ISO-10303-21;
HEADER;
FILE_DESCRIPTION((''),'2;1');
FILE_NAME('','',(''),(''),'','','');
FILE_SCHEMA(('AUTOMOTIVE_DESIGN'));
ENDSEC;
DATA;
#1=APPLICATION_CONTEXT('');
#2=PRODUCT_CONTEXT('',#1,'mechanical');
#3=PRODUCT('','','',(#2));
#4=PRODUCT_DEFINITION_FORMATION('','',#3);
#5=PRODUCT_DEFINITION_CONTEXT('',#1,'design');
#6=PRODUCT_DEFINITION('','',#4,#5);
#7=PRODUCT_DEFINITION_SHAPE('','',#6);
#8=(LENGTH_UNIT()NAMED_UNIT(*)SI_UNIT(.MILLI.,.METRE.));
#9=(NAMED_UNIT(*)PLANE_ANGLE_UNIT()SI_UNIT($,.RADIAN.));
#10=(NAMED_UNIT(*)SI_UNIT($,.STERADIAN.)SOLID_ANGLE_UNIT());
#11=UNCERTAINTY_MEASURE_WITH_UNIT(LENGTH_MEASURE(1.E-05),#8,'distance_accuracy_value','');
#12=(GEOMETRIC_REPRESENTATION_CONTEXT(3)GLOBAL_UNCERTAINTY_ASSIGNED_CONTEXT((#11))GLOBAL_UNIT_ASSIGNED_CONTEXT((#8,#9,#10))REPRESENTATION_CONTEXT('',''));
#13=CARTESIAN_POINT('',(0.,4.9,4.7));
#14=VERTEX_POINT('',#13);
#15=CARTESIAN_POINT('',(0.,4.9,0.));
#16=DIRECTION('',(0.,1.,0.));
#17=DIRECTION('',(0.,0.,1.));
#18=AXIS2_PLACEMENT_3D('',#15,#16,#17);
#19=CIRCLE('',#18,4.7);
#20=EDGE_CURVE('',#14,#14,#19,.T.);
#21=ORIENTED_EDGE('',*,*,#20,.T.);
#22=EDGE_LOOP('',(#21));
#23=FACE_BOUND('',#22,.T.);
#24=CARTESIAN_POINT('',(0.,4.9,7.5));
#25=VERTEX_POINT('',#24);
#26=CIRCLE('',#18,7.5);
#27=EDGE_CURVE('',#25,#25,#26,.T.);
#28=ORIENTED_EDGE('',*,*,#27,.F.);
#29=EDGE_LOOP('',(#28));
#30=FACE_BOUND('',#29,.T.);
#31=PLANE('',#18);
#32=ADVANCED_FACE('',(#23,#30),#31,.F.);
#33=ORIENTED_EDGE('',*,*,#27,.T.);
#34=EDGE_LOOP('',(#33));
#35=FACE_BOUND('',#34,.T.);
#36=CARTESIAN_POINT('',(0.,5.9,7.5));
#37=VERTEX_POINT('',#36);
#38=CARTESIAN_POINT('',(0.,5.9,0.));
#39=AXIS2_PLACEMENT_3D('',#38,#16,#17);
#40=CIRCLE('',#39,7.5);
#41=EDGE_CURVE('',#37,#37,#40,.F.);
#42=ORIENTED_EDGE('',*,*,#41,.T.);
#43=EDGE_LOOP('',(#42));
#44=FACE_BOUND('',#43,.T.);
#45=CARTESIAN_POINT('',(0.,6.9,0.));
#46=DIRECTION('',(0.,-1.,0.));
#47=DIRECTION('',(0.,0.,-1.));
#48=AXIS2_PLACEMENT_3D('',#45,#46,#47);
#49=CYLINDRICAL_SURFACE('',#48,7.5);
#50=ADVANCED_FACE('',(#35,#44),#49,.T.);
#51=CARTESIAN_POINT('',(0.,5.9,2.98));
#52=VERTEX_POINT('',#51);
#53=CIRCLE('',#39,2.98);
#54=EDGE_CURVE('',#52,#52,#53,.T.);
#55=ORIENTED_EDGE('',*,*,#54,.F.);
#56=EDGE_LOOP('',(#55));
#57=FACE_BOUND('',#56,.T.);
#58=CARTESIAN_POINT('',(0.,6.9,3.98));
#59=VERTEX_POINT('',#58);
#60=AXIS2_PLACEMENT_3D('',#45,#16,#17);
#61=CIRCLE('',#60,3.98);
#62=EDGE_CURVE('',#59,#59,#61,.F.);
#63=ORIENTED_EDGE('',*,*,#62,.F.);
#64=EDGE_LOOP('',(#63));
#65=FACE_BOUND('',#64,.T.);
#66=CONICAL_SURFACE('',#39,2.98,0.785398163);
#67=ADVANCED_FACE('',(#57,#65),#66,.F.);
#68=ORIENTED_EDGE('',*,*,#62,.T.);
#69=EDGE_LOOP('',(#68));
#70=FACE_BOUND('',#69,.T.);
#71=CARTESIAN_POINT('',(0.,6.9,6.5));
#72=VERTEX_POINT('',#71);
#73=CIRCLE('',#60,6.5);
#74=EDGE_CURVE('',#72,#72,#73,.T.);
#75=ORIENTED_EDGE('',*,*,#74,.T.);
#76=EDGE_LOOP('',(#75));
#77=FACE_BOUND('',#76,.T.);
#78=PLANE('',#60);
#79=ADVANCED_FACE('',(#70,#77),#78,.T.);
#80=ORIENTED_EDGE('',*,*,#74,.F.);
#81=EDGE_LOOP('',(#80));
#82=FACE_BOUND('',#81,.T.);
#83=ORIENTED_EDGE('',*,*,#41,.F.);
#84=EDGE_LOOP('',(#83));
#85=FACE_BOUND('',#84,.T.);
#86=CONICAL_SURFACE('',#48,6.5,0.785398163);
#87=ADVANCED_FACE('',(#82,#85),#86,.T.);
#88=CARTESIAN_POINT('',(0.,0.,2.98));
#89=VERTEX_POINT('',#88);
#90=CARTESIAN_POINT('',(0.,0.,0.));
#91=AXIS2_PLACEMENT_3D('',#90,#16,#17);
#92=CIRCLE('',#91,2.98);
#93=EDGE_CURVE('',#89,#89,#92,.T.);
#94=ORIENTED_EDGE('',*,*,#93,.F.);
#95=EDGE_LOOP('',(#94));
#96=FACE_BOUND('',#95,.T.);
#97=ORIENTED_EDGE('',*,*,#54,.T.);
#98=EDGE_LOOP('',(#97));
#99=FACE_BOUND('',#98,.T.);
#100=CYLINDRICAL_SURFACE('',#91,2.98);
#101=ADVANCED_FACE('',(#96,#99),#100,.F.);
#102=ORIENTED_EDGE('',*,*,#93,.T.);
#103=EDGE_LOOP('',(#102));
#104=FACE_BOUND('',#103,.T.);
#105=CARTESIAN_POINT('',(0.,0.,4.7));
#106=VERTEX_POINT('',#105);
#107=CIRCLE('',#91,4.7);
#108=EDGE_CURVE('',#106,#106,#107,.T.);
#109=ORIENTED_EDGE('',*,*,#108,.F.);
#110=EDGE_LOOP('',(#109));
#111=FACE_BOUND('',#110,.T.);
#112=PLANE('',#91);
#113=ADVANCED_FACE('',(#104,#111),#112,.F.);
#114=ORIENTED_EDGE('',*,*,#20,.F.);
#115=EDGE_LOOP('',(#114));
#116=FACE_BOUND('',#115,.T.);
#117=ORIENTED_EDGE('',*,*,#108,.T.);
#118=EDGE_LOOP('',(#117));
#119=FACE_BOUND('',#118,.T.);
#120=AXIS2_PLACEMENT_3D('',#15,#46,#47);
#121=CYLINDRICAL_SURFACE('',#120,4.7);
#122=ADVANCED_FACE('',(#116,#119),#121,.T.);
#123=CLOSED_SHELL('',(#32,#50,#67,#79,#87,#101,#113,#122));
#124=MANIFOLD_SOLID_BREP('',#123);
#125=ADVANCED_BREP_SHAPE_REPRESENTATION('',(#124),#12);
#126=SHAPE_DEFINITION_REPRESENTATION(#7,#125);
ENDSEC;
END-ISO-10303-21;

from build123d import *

# Parameters (mm, degrees)
SKETCH1_R           = 4.7
BOSS_EXTRUDE1_DEPTH = 4.9
SKETCH2_R           = 7.5
BOSS_EXTRUDE2_DEPTH = 2
SKETCH3_R           = 2.98
CUT_EXTRUDE1_DEPTH  = 7.9
CHAMFER1_SIZE       = 1
CHAMFER2_SIZE       = 1


with BuildPart() as part:
    # Sketch1 → Boss-Extrude1 (new body)
    with BuildSketch(Plane(origin=(0, 0, 0), x_dir=(1, 0, 0), z_dir=(0, 1, 0))):
        Circle(SKETCH1_R)
    extrude(amount=BOSS_EXTRUDE1_DEPTH)

    # Sketch2 → Boss-Extrude2 (add)
    with BuildSketch(Plane(origin=(0, 4.9, 0), x_dir=(1, 0, 0), z_dir=(0, 1, 0))):
        Circle(SKETCH2_R)
    extrude(amount=BOSS_EXTRUDE2_DEPTH)

    # Sketch3 → Cut-Extrude1 (cut, through all)
    with BuildSketch(Plane(origin=(0, 6.9, 0), x_dir=(1, 0, 0), z_dir=(0, 1, 0))):
        Circle(SKETCH3_R)
    extrude(amount=-CUT_EXTRUDE1_DEPTH, mode=Mode.SUBTRACT)

    # Chamfer1
    chamfer1_edges = [part.edges().sort_by_distance(p)[0] for p in [
        (-2.98, 6.9, 0),
    ]]
    chamfer(chamfer1_edges, length=CHAMFER1_SIZE)

    # Chamfer2
    chamfer2_edges = [part.edges().sort_by_distance(p)[0] for p in [
        (-7.5, 6.9, 0),
    ]]
    chamfer(chamfer2_edges, length=CHAMFER2_SIZE)


solid = part.part
